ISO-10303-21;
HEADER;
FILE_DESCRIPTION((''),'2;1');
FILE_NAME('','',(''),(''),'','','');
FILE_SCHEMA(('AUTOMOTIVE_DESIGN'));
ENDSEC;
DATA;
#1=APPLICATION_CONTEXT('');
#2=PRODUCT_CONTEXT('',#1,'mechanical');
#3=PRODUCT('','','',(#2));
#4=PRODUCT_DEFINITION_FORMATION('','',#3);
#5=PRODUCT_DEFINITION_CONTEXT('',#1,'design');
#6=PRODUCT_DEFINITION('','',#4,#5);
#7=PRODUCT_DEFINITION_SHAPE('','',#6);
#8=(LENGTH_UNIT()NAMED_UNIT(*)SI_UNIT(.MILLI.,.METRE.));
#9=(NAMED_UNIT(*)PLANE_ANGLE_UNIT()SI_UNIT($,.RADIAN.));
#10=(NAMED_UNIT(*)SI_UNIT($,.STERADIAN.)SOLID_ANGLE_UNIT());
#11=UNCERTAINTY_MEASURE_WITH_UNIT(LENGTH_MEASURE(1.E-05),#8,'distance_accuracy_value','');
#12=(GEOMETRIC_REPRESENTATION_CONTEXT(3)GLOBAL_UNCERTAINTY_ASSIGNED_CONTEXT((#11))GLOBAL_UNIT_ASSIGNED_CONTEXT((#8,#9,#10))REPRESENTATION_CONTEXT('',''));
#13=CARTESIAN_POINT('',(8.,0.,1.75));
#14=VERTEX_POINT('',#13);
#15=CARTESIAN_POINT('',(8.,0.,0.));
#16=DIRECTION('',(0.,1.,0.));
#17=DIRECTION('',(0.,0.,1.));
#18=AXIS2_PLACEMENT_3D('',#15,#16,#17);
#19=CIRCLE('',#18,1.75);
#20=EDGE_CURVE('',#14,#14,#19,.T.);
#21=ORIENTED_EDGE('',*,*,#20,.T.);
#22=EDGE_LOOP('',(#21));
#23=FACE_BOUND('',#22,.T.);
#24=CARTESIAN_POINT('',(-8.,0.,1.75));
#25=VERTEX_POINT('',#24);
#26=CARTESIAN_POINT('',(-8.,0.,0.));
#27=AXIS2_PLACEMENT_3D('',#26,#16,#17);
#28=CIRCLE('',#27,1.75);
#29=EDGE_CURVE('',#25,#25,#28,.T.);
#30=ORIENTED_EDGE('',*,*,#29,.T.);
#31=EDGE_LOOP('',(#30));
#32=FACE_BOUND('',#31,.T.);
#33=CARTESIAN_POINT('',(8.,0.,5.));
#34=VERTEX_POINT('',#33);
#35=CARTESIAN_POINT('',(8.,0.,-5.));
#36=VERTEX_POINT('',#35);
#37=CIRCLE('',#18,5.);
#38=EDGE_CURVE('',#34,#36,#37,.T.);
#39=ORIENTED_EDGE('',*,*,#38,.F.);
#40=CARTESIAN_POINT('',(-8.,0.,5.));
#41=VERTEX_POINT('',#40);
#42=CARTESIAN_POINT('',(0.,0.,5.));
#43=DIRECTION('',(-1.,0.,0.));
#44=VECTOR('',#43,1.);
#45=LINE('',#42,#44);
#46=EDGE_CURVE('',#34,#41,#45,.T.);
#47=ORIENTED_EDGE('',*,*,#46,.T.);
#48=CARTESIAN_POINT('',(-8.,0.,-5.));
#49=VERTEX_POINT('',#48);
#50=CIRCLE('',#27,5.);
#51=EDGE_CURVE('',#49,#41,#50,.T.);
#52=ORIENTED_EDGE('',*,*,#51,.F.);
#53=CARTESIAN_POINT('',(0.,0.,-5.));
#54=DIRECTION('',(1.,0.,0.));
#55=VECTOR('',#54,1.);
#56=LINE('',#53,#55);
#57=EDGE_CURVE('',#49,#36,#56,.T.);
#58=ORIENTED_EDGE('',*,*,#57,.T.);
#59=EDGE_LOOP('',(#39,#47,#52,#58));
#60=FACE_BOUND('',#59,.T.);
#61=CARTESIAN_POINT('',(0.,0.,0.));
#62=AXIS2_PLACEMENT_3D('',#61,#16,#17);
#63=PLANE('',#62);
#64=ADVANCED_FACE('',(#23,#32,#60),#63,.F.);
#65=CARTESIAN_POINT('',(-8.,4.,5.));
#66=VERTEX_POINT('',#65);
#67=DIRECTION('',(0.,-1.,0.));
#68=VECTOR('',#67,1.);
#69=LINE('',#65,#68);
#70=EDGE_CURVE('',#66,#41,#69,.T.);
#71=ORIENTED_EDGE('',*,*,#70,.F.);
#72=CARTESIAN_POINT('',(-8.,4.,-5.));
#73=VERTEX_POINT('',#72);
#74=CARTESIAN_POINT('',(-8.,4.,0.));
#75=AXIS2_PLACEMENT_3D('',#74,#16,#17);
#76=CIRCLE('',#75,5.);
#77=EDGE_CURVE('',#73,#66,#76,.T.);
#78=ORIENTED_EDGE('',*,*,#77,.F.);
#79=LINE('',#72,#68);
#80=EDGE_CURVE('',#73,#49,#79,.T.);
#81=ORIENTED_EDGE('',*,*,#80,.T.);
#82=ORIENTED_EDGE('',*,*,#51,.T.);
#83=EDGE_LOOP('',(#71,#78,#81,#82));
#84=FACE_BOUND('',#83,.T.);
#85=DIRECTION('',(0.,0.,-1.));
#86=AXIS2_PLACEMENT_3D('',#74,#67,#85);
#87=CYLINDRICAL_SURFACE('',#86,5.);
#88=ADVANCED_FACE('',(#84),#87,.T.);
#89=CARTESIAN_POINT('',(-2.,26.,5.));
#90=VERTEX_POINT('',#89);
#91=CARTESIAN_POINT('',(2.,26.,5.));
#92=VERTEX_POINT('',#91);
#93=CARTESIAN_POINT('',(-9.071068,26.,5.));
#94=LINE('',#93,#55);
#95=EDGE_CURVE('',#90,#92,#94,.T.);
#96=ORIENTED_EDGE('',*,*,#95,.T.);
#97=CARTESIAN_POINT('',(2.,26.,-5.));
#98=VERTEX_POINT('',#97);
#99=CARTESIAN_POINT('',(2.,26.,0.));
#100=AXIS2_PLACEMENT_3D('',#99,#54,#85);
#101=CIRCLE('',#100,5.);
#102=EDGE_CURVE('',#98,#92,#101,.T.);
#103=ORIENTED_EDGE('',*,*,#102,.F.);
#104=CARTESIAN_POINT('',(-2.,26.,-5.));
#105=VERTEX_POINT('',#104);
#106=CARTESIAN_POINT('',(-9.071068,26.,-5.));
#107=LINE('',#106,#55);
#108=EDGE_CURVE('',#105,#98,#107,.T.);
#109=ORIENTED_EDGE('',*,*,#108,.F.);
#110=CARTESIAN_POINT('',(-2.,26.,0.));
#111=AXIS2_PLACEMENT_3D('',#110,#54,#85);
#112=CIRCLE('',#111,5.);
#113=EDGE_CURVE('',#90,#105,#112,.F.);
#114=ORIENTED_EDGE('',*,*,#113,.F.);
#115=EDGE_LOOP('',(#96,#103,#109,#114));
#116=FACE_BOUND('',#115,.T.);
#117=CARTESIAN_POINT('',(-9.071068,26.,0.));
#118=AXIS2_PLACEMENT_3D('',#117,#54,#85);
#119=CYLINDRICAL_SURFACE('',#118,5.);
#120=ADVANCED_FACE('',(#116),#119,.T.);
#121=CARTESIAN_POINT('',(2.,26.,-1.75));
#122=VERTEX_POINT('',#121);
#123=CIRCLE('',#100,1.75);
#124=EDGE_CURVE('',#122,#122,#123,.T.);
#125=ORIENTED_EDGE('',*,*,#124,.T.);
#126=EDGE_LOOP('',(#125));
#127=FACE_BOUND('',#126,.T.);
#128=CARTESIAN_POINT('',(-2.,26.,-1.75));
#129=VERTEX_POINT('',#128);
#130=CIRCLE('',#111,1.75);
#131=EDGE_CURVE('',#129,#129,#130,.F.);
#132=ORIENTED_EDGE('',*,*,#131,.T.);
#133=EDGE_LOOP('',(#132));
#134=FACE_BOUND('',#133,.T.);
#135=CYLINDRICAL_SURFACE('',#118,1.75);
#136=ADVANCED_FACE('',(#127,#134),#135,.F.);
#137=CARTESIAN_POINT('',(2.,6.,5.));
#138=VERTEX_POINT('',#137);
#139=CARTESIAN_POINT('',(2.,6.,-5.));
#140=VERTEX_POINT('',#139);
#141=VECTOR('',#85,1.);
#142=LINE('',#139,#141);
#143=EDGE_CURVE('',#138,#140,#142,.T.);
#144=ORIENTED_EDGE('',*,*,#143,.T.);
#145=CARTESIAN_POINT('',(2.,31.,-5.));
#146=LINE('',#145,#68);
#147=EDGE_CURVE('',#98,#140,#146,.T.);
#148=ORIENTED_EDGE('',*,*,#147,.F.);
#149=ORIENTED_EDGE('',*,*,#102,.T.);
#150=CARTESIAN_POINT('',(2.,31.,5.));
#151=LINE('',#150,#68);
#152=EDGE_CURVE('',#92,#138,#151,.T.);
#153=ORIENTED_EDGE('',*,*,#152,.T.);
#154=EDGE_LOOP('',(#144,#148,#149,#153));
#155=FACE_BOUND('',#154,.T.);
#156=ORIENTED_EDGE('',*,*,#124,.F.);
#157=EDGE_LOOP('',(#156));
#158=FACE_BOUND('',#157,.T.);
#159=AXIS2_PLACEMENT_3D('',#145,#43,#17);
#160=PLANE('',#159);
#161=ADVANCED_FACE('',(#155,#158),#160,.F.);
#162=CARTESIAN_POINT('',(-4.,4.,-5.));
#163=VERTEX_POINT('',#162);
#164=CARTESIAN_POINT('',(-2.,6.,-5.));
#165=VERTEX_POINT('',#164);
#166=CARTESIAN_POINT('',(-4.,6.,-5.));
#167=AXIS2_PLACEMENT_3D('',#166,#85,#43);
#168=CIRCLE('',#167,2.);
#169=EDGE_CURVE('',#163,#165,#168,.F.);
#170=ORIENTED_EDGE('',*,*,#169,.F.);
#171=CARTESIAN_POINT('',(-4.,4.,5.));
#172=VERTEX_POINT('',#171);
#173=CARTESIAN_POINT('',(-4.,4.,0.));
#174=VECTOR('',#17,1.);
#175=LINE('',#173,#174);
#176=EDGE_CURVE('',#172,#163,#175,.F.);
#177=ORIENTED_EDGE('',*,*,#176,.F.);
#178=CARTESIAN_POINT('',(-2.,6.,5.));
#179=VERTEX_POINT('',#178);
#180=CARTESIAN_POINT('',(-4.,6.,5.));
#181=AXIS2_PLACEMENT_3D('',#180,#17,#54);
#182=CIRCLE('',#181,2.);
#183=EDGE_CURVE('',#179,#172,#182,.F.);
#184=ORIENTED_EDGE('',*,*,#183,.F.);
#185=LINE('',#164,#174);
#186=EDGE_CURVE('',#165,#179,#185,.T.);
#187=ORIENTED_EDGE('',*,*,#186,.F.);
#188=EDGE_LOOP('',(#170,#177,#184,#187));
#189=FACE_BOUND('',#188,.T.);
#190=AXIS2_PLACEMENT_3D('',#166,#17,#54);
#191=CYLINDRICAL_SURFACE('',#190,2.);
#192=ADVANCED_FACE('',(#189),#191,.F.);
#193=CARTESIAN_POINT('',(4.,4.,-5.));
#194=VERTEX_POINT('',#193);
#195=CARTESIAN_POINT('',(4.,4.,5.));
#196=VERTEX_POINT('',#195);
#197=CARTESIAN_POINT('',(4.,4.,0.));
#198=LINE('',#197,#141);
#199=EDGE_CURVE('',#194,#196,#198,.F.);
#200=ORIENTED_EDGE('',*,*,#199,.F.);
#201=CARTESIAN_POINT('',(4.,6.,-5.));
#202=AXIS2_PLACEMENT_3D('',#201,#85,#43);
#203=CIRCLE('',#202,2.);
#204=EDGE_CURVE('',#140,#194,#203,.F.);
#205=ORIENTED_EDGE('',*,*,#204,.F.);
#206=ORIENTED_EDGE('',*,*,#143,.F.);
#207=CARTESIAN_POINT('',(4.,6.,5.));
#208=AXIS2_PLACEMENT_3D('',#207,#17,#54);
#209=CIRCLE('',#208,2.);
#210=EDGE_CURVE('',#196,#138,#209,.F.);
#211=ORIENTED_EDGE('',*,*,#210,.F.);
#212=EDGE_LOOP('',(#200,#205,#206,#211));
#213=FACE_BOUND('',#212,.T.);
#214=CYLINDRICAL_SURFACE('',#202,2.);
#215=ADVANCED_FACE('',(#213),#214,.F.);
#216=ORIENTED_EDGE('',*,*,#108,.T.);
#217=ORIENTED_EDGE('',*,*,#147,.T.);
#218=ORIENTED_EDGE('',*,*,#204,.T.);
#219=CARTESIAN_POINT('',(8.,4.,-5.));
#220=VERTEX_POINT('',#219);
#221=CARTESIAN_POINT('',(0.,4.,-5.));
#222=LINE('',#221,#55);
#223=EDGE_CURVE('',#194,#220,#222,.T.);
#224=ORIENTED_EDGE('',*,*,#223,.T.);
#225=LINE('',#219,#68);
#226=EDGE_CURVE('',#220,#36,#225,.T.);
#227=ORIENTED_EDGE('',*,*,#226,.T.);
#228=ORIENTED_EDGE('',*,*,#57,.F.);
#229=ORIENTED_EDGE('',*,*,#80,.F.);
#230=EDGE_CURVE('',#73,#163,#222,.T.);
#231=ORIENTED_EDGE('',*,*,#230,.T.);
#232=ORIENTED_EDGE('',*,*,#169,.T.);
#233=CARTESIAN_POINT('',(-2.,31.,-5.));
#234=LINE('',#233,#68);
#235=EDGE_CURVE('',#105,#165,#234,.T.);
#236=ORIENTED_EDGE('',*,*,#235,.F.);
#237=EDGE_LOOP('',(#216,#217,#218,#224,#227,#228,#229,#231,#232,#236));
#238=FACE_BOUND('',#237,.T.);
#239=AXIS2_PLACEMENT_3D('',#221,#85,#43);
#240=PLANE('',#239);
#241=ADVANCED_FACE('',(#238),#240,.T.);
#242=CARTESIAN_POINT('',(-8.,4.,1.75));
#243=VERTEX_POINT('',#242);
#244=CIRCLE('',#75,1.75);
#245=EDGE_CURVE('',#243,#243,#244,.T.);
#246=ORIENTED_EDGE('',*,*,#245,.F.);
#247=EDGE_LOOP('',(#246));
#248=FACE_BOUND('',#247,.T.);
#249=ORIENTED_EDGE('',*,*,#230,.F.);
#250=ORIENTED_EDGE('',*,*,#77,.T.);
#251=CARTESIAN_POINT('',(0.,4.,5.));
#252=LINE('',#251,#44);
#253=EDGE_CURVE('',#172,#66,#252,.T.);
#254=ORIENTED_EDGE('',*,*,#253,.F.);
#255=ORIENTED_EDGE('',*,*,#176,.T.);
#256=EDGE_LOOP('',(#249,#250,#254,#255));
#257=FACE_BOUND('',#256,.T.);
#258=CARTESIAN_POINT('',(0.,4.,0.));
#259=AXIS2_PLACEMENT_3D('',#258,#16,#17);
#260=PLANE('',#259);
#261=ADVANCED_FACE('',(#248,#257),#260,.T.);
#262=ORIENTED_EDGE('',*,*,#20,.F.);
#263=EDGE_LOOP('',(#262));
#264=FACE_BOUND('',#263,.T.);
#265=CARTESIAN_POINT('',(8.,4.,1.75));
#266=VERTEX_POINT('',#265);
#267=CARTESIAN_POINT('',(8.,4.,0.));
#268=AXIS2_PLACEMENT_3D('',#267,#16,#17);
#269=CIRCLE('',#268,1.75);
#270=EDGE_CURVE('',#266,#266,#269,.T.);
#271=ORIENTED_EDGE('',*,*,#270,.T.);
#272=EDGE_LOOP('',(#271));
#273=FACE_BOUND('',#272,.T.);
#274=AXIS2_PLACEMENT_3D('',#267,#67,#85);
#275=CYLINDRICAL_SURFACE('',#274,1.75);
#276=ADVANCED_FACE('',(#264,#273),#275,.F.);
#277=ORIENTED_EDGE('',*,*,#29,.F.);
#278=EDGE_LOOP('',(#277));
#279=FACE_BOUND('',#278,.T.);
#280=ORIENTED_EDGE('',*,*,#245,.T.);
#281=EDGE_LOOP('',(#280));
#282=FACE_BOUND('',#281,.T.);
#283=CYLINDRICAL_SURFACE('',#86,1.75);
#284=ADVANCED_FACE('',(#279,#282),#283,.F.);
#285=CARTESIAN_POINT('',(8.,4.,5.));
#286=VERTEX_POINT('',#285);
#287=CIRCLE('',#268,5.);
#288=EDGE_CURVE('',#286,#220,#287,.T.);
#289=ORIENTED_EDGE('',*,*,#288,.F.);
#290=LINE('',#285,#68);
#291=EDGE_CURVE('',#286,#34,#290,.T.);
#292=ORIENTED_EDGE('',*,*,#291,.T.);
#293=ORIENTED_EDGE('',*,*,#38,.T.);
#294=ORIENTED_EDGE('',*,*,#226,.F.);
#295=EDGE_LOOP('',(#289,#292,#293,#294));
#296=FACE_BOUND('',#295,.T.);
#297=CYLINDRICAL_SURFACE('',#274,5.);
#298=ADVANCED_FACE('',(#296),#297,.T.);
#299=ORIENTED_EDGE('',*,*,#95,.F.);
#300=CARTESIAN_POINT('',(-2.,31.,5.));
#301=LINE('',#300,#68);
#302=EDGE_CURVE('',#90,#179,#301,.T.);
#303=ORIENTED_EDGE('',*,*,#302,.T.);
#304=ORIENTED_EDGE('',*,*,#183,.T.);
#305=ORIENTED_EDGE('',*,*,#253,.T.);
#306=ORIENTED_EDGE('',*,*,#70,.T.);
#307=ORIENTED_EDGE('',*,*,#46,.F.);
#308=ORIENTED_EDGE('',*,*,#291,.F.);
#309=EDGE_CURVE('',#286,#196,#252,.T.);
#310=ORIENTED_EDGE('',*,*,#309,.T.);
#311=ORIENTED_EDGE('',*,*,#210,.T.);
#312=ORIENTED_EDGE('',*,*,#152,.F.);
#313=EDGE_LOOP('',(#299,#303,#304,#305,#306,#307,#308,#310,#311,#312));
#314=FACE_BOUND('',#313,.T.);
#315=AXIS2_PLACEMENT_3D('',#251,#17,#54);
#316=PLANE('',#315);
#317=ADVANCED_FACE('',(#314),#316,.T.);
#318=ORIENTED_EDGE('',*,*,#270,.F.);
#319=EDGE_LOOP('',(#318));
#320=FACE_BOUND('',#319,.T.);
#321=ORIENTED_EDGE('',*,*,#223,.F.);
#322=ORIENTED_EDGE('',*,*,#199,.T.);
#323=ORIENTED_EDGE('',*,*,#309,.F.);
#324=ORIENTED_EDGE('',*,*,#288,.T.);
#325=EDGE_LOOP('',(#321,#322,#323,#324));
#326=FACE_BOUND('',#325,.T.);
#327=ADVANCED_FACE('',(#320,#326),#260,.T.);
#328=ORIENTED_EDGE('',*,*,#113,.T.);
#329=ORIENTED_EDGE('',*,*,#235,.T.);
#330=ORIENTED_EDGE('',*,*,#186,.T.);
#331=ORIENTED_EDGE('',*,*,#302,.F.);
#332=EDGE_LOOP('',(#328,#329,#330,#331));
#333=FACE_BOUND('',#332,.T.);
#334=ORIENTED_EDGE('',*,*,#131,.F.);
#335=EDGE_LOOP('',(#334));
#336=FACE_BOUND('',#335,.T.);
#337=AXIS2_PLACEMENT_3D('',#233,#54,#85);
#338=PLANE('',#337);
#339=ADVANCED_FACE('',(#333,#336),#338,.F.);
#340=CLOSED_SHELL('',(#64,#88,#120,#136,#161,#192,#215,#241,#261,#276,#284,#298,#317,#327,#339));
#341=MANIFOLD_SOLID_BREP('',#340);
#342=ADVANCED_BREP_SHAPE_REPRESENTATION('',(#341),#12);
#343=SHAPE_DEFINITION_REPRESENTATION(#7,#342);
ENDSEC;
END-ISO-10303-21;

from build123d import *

# Parameters (mm, degrees)
SKETCH1_R           = 5
SKETCH1_R_2         = 1.75
BOSS_EXTRUDE1_DEPTH = 4
SKETCH2_W           = 4
SKETCH2_H           = 10
BOSS_EXTRUDE2_DEPTH = 27
SKETCH3_R           = 1.75
CUT_EXTRUDE1_DEPTH  = 4
FILLET1_R           = 2
FILLET2_R           = 2


with BuildPart() as part:
    # Sketch1 → Boss-Extrude1 (new body)
    # profile 1 of 3: a face of its own
    with BuildSketch(Plane(origin=(0, 0, 0), x_dir=(1, 0, 0), z_dir=(0, 1, 0))):
        with Locations((-8, 0)):
            Circle(SKETCH1_R)
        with Locations(Location((-8, 0, 0), (0, 0, 270))):
            Circle(SKETCH1_R_2, mode=Mode.SUBTRACT)
    # profile 2 of 3: a face of its own
    with BuildSketch(Plane(origin=(0, 0, 0), x_dir=(1, 0, 0), z_dir=(0, 1, 0))):
        with BuildLine():
            Line((8, 5), (-8, 5))
            ThreePointArc((-8, 5), (-4.464466094, 3.535533906), (-3, 0))
            ThreePointArc((-3, 0), (-4.464466094, -3.535533906), (-8, -5))
            Line((-8, -5), (8, -5))
            ThreePointArc((8, -5), (3, 0), (8, 5))
        make_face()
    # profile 3 of 3: a face of its own
    with BuildSketch(Plane(origin=(0, 0, 0), x_dir=(1, 0, 0), z_dir=(0, 1, 0))):
        with Locations((8, 0)):
            Circle(SKETCH1_R)
        with Locations(Location((8, 0, 0), (0, 0, 270))):
            Circle(SKETCH1_R_2, mode=Mode.SUBTRACT)
    extrude(amount=BOSS_EXTRUDE1_DEPTH)

    # Sketch2 → Boss-Extrude2 (add)
    with BuildSketch(Plane(origin=(0, 4, 0), x_dir=(1, 0, 0), z_dir=(0, 1, 0))):
        Rectangle(SKETCH2_W, SKETCH2_H)
    extrude(amount=BOSS_EXTRUDE2_DEPTH)

    # Sketch3 → Cut-Extrude1 (cut)
    with BuildSketch(Plane(origin=(2, 0, 0), x_dir=(0, 0, -1), z_dir=(1, 0, 0))):
        with BuildLine():
            Line((-5, 31), (-5, 26))
            ThreePointArc((-5, 26), (-3.535533906, 29.535533906), (0, 31))
            Line((0, 31), (-5, 31))
        make_face()
        with BuildLine():
            ThreePointArc((0, 31), (3.535533906, 29.535533906), (5, 26))
            Line((5, 26), (5, 31))
            Line((5, 31), (0, 31))
        make_face()
        with Locations((0, 26)):
            Circle(SKETCH3_R)
    extrude(amount=-CUT_EXTRUDE1_DEPTH, mode=Mode.SUBTRACT)

    # Fillet1
    fillet1_edges = [part.edges().sort_by_distance(p)[0] for p in [
        (2, 4, 0),
    ]]
    fillet(fillet1_edges, radius=FILLET1_R)

    # Fillet2
    fillet2_edges = [part.edges().sort_by_distance(p)[0] for p in [
        (-2, 4, 0),
    ]]
    fillet(fillet2_edges, radius=FILLET2_R)


solid = part.part
